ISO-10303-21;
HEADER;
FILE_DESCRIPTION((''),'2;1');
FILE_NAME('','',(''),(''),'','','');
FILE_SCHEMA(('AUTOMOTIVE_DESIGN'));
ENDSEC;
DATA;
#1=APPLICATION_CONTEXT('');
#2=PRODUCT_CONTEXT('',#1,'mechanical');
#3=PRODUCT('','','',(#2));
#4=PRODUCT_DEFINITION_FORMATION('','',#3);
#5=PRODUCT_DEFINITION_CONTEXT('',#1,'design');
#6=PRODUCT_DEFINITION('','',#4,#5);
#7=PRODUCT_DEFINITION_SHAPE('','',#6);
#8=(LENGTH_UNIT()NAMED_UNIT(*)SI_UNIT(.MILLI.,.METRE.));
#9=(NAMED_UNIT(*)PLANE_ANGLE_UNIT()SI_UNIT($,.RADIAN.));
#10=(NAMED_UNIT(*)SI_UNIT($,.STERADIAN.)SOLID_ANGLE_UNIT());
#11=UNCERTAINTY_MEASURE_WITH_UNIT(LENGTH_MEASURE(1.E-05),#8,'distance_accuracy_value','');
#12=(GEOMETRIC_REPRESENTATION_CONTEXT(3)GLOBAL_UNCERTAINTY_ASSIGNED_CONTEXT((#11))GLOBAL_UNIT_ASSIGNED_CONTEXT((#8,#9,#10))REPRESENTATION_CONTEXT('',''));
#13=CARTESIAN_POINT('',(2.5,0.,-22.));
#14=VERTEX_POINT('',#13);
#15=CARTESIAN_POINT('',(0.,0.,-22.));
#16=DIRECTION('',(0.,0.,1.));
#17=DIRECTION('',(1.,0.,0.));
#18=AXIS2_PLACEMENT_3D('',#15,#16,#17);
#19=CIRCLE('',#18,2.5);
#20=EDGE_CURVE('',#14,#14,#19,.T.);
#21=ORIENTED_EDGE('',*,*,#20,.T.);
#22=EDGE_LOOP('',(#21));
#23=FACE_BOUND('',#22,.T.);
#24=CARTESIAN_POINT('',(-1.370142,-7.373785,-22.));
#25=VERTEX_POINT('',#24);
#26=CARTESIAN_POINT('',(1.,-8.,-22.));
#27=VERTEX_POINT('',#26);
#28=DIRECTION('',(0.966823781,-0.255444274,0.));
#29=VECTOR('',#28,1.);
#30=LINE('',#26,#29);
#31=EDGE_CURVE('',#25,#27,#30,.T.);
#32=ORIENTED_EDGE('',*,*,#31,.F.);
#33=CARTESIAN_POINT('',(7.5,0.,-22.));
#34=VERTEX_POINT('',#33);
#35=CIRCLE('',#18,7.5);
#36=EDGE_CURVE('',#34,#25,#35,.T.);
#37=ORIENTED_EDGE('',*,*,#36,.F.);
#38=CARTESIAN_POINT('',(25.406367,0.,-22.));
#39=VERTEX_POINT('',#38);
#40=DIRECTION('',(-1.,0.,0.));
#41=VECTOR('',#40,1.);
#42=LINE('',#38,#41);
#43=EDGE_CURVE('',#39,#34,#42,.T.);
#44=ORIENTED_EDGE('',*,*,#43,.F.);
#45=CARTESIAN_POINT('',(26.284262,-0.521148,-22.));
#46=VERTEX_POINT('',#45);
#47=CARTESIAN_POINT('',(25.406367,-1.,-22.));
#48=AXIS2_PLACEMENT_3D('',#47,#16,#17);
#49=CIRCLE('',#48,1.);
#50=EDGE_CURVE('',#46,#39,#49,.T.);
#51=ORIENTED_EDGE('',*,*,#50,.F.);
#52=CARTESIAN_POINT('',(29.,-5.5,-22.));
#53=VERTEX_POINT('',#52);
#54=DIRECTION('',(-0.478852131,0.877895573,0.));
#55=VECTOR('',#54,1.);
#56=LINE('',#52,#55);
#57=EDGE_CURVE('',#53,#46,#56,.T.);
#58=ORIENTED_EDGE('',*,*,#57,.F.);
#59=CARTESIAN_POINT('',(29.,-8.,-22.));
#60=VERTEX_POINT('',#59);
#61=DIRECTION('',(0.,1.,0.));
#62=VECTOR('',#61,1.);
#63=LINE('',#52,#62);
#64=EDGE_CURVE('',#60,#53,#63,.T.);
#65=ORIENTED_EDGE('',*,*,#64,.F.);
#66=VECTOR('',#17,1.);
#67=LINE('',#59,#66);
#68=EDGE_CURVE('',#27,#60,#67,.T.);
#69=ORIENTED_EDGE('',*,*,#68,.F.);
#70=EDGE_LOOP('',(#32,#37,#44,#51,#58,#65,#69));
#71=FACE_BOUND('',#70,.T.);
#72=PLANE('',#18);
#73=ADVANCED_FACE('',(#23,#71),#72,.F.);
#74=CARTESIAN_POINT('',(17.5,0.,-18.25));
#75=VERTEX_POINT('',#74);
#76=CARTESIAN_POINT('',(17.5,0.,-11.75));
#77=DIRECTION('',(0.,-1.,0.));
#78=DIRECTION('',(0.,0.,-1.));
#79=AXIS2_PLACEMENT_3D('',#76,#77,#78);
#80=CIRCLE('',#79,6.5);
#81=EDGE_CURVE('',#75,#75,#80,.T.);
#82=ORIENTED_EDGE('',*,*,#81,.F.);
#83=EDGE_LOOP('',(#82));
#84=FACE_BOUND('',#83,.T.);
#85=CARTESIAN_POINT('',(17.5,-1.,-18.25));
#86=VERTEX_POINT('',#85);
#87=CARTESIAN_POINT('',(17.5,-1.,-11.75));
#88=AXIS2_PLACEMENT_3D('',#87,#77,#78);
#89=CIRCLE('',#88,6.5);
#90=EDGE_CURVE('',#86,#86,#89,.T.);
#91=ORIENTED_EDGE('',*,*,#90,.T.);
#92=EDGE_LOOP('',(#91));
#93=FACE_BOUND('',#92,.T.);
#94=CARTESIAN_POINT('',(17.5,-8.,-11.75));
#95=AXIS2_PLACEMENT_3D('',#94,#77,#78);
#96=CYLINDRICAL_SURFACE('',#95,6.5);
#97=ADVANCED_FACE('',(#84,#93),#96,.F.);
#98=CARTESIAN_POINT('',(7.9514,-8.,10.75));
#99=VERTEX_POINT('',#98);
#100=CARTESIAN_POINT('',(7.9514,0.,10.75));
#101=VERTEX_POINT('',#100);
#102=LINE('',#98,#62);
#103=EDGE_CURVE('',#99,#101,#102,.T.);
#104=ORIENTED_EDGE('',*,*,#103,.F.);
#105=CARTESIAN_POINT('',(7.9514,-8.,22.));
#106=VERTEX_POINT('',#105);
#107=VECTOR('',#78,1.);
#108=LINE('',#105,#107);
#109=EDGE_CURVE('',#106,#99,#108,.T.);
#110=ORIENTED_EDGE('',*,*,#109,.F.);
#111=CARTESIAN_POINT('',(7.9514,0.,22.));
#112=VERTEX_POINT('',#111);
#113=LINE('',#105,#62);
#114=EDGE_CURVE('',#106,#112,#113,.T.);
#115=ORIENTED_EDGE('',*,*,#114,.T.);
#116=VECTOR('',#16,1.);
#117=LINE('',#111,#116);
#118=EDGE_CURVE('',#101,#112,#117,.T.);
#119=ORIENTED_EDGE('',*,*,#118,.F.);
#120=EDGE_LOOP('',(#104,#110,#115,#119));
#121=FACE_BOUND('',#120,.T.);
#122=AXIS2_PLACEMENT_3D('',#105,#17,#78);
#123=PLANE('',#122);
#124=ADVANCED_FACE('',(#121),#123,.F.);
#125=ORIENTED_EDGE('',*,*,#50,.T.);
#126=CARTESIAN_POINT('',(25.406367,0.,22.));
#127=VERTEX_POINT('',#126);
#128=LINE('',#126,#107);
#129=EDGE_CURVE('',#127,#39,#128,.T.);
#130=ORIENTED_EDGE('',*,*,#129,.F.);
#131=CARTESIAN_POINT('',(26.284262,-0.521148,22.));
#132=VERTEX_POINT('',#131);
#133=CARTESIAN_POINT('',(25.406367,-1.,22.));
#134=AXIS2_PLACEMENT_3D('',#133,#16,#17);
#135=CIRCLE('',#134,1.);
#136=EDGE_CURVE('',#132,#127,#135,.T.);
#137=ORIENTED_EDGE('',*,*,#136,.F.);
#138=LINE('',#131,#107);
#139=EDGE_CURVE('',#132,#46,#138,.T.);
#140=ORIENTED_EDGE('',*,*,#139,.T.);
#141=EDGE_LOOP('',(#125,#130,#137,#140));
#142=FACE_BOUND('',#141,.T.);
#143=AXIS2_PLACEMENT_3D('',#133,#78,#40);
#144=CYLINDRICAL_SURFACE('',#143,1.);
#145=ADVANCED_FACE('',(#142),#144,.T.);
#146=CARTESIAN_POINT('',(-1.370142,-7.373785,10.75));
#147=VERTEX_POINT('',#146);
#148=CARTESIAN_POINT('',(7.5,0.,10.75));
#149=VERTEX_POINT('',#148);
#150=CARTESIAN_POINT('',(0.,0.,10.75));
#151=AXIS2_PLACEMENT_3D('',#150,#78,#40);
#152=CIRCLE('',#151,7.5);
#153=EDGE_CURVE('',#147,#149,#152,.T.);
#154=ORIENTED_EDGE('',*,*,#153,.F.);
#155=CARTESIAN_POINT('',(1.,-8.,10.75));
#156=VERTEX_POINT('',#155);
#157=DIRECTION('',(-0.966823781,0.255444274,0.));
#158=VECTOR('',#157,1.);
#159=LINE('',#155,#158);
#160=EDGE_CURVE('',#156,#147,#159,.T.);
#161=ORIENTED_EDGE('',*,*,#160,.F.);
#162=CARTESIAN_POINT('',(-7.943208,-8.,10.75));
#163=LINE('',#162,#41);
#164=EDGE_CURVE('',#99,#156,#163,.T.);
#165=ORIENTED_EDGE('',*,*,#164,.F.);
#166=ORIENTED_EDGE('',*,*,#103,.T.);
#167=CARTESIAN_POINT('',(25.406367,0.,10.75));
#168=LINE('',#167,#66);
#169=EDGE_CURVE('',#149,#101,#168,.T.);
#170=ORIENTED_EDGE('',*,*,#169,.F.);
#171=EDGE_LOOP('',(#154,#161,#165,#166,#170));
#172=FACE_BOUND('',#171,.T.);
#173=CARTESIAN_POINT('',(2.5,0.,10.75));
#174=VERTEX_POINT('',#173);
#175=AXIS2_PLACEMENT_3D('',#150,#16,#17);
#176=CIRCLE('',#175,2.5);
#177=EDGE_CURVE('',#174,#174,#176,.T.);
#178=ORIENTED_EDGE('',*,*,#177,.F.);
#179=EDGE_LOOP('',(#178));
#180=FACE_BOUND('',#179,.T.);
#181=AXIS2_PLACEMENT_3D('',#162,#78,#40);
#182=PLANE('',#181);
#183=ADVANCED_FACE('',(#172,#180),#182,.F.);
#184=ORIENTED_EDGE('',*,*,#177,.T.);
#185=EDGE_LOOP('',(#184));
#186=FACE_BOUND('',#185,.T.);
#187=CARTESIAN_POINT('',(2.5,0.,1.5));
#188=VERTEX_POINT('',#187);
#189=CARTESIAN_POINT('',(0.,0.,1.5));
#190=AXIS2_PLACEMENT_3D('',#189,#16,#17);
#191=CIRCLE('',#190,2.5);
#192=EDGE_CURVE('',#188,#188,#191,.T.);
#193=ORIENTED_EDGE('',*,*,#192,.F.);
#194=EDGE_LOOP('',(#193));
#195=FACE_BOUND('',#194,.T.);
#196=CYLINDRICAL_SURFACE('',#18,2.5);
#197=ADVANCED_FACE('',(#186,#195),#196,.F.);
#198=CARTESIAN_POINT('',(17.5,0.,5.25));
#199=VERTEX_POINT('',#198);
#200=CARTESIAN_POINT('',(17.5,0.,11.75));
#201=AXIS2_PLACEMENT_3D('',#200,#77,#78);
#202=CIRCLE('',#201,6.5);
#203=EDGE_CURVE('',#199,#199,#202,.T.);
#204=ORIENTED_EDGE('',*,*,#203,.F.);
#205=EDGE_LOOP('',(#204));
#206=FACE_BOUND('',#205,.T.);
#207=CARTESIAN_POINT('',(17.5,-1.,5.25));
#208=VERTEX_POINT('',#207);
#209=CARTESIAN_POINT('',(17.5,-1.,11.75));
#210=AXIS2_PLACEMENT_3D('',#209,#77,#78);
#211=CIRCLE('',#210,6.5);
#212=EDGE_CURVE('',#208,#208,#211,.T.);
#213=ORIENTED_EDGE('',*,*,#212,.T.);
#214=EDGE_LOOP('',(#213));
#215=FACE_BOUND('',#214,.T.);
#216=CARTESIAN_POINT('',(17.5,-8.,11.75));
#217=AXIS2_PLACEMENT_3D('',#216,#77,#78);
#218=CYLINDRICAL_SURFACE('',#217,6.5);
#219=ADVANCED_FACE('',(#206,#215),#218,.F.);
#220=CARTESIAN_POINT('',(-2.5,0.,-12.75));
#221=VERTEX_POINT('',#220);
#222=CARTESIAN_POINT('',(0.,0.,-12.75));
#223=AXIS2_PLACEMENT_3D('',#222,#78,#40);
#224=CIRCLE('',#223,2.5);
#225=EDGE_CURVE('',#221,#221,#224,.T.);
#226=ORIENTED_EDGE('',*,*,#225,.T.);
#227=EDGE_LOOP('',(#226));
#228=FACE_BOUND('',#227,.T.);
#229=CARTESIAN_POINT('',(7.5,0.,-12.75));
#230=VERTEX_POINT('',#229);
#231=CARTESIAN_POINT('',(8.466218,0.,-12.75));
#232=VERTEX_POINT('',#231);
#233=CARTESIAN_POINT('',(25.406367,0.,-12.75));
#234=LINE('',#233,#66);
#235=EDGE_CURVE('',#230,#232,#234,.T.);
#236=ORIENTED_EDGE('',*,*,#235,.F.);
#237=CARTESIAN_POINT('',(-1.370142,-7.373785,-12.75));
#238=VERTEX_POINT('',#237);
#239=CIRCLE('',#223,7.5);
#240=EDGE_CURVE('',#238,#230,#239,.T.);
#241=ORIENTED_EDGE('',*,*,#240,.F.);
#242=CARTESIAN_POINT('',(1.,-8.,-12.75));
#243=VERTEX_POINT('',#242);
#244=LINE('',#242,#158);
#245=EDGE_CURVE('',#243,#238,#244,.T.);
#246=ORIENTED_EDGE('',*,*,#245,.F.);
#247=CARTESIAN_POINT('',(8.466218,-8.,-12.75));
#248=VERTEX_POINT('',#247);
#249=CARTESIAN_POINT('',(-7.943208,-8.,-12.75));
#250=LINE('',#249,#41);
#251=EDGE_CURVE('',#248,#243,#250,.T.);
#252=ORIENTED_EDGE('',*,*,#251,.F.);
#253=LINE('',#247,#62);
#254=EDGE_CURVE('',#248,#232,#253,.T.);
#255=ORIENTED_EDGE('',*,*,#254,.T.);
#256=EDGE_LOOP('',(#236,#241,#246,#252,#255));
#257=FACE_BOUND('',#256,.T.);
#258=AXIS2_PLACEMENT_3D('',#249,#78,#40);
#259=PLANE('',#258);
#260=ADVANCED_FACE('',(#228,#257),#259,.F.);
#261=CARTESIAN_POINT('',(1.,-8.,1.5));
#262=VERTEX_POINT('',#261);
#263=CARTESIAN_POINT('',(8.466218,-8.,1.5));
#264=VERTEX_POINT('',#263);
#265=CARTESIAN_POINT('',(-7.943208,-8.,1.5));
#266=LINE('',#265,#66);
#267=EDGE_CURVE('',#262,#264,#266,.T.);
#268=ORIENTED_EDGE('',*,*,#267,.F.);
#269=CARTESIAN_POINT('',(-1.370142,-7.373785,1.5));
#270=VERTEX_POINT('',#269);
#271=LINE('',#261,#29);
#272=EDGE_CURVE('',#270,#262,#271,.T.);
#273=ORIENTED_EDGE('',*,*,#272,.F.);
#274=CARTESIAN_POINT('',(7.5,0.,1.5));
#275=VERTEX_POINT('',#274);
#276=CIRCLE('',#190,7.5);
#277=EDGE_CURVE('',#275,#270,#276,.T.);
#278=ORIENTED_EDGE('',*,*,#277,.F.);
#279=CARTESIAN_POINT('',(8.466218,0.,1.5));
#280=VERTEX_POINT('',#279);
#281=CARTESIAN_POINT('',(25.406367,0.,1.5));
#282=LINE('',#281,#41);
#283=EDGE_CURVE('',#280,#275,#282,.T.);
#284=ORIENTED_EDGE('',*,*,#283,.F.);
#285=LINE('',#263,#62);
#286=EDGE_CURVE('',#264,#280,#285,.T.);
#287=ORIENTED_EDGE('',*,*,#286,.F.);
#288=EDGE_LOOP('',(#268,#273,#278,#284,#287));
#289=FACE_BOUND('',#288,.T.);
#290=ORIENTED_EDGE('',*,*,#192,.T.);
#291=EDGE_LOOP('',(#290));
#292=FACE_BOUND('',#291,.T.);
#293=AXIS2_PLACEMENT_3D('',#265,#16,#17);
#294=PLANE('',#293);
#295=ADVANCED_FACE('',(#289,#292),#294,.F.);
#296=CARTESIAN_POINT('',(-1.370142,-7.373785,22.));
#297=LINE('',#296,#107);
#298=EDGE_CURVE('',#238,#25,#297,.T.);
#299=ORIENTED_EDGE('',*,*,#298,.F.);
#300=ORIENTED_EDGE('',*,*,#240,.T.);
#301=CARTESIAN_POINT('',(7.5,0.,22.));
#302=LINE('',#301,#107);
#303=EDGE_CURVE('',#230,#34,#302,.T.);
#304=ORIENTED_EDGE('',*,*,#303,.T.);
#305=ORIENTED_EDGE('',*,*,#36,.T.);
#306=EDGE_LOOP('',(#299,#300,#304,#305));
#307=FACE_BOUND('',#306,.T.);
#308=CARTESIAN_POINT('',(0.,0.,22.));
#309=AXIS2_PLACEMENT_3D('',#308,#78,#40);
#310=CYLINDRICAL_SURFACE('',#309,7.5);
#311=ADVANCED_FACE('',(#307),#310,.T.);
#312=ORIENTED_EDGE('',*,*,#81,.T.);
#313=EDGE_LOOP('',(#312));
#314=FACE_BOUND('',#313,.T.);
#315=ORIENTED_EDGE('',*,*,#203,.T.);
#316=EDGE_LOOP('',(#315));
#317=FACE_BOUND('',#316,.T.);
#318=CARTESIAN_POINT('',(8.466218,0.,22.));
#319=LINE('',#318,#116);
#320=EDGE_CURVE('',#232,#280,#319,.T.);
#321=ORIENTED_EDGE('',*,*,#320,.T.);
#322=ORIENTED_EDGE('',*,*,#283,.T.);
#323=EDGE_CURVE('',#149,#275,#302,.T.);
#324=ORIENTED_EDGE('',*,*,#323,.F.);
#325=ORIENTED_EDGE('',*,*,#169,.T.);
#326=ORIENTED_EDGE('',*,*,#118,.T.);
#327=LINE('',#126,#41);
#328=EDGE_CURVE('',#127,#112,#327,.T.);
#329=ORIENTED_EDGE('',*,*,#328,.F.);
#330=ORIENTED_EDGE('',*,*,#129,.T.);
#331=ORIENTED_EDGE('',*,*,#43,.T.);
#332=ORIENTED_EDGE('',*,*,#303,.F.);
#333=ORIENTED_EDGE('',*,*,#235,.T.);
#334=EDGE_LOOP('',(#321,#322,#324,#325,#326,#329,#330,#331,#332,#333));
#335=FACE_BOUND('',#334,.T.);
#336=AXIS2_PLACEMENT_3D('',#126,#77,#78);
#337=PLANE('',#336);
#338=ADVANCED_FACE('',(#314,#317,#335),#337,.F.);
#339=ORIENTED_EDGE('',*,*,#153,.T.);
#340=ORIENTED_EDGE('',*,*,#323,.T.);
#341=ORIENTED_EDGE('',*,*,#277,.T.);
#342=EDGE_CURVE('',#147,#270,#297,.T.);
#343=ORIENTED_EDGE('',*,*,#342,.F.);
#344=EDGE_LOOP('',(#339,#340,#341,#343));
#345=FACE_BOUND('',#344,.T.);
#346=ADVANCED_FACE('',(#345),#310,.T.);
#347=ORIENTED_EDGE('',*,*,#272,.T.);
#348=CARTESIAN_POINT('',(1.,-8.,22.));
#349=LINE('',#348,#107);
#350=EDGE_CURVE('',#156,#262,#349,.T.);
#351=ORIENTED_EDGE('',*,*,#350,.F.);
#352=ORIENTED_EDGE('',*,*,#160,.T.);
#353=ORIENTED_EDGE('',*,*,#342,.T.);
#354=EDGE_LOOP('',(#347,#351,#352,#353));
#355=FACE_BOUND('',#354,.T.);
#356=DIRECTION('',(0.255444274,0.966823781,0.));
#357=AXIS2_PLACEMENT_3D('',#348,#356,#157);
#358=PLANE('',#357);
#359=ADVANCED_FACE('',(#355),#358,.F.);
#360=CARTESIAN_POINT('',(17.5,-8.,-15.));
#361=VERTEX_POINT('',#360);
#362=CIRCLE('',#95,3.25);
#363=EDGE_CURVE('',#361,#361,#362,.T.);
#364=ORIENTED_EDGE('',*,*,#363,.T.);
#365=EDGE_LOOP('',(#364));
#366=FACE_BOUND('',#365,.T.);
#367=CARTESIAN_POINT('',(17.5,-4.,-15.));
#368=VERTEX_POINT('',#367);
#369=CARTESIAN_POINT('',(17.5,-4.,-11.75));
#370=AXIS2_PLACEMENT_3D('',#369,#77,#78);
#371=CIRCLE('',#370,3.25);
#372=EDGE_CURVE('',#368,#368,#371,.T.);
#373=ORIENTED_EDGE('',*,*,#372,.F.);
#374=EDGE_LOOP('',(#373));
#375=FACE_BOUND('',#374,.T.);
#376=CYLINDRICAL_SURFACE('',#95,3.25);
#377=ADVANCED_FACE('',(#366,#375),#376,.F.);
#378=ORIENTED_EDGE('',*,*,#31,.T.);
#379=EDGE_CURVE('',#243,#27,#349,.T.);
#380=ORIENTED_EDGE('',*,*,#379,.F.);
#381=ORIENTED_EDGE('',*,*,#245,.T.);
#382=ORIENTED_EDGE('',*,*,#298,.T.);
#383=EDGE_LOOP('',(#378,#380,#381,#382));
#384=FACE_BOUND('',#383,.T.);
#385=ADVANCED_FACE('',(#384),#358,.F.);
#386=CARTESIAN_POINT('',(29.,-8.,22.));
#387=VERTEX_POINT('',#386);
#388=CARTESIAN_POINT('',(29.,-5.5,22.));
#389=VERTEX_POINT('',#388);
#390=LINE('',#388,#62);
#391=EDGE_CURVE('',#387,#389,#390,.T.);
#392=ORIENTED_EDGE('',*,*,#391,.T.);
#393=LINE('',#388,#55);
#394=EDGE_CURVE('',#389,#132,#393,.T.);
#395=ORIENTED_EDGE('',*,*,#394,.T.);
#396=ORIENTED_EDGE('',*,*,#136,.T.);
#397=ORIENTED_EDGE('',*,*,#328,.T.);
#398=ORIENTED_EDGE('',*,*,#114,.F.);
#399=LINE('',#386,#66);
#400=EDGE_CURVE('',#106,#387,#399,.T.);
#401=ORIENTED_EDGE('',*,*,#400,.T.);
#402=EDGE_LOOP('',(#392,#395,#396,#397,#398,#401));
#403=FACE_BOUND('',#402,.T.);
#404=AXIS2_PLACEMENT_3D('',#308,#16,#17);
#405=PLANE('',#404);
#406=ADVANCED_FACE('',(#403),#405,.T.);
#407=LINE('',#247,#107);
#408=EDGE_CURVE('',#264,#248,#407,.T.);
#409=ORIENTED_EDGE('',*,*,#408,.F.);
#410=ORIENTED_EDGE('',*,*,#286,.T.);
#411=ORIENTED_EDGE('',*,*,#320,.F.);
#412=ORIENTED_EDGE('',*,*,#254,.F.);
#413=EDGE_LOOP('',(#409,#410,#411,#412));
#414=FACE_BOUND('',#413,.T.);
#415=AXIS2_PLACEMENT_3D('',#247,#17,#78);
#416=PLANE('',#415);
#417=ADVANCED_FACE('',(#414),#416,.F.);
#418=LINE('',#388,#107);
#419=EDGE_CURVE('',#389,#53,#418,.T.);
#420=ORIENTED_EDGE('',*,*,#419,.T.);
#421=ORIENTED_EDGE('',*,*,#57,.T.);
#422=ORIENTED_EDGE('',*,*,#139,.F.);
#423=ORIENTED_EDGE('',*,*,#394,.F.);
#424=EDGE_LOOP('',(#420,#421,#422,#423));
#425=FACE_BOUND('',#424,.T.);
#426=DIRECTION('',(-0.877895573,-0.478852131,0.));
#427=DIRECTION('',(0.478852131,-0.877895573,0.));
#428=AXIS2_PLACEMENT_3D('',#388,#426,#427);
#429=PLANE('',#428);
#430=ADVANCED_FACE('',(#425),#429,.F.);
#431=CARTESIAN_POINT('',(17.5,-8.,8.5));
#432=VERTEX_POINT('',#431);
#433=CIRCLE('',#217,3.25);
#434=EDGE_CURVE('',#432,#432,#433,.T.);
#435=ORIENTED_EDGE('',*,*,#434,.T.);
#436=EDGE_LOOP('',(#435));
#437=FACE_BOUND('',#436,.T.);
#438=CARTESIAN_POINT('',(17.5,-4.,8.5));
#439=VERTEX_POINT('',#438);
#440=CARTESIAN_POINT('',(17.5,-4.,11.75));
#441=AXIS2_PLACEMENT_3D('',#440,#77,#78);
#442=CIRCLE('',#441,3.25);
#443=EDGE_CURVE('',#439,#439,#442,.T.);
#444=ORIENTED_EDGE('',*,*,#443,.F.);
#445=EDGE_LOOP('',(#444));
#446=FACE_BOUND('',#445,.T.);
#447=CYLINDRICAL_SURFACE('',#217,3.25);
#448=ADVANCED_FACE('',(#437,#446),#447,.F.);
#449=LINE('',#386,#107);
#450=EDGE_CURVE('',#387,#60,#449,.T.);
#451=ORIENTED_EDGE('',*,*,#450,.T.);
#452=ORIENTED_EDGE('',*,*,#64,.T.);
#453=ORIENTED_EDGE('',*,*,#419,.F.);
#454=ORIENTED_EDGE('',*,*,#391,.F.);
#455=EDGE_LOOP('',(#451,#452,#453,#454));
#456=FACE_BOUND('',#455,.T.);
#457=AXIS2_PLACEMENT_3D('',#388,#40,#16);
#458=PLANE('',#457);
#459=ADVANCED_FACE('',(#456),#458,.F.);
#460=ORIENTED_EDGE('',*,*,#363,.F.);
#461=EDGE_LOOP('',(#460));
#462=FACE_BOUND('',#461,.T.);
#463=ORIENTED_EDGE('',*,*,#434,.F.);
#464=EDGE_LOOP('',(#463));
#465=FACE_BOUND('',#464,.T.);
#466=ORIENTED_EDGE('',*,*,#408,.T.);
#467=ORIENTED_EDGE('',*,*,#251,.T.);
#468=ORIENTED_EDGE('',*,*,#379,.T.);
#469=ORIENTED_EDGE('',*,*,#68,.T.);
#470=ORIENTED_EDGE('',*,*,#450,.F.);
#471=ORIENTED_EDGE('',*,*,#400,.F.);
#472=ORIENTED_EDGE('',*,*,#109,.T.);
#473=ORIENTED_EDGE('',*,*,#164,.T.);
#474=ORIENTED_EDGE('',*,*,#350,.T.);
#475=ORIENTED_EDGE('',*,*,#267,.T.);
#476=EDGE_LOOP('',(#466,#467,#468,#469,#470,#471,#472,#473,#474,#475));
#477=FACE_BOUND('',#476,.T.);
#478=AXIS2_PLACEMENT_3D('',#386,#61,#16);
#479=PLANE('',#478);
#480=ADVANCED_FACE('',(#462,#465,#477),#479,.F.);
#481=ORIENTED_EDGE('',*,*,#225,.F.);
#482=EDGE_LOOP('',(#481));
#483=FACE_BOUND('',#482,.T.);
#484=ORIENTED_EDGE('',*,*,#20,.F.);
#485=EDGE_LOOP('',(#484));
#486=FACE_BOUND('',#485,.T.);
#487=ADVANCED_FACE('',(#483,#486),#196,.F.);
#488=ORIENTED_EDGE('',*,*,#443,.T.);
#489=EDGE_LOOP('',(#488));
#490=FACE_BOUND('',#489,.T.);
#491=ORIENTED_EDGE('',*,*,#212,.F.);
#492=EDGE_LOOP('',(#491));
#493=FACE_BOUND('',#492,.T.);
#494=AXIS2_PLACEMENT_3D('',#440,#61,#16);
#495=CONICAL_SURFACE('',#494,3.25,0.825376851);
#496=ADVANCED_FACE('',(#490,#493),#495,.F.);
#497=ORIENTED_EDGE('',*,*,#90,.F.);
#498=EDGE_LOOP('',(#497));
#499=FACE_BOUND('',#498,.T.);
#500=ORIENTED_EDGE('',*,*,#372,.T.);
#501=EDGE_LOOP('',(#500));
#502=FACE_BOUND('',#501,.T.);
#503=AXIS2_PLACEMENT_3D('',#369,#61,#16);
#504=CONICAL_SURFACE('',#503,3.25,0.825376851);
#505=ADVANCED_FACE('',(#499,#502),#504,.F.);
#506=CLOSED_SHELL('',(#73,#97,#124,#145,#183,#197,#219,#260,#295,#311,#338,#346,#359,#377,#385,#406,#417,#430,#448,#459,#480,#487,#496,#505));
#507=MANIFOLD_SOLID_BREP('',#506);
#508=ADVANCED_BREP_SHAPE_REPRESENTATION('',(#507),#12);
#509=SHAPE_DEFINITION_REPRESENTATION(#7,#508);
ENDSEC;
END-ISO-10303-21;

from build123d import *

# Parameters (mm, degrees)
EXTRUDE_1_DEPTH          = 22
PATTERN_LINEAR_1_COUNT   = 2
PATTERN_LINEAR_1_PITCH   = 23.5
CUT_EXTRUDE_1_DEPTH      = 38.269290307
CUT_EXTRUDE_1_DEPTH_BACK = 38.269290307
SKETCH_4_W               = 15.894607506
SKETCH_4_H               = 11.25
SKETCH_4_W_2             = 16.409425433
SKETCH_4_H_2             = 14.25
SKETCH_5_R               = 2.5
CUT_EXTRUDE_2_DEPTH      = 45.469793118


with BuildPart() as part:
    # 草图1 → 凸台-拉伸1 (new, symmetric)
    with BuildSketch(Plane.XY):
        with BuildLine():
            Line((29, -5.5), (29, -8))
            Line((29, -8), (1, -8))
            Line((1, -8), (-1.370141735, -7.373785434))
            ThreePointArc((-1.370141735, -7.373785434), (-4.794472702, 5.767411162), (7.5, 0))
            Line((7.5, 0), (25.406366901, 0))
            ThreePointArc((25.406366901, 0), (25.916831332, -0.140101131), (26.284262474, -0.521147869))
            Line((26.284262474, -0.521147869), (29, -5.5))
        make_face()
    extrude(amount=EXTRUDE_1_DEPTH, both=True)

    # 草图3 → 切除-旋转1 (revolve, cut)
    with BuildSketch(Plane.XY.offset(11.75), mode=Mode.PRIVATE) as cut_revolve_1_sk:
        Polygon((24, 0), (17.5, 0), (17.5, -8), (20.75, -8), (20.75, -4), (24, -1), align=None)
    cut_revolve_1 = revolve(cut_revolve_1_sk.sketch.rotate(Axis((17.5, -8, 11.75), (0, 1, 0)), 90), axis=Axis((17.5, -8, 11.75), (0, 1, 0)), mode=Mode.SUBTRACT)

    # 阵列(线性)1: 切除-旋转1 ×2
    with Locations(*[(0, 0, -i * PATTERN_LINEAR_1_PITCH) for i in range(1, PATTERN_LINEAR_1_COUNT)]):
        add(cut_revolve_1, mode=Mode.SUBTRACT)

    # 草图4 → 切除-拉伸1 (cut, two sides: drawn at the far end of the back side and taken through both)
    with BuildSketch(Plane(origin=(0, 0, 0), x_dir=(1, 0, 0), z_dir=(0, 1, 0)).offset(-CUT_EXTRUDE_1_DEPTH_BACK)):
        with Locations((0.004095995, -16.375)):
            Rectangle(SKETCH_4_W, SKETCH_4_H)
        with Locations((0.261504959, 5.625)):
            Rectangle(SKETCH_4_W_2, SKETCH_4_H_2)
    extrude(amount=CUT_EXTRUDE_1_DEPTH + CUT_EXTRUDE_1_DEPTH_BACK, mode=Mode.SUBTRACT)

    # 草图5 → 切除-拉伸2 (cut, through all)
    with BuildSketch(Plane.XY.offset(10.75)):
        Circle(SKETCH_5_R)
    extrude(amount=-CUT_EXTRUDE_2_DEPTH, mode=Mode.SUBTRACT)


solid = part.part
